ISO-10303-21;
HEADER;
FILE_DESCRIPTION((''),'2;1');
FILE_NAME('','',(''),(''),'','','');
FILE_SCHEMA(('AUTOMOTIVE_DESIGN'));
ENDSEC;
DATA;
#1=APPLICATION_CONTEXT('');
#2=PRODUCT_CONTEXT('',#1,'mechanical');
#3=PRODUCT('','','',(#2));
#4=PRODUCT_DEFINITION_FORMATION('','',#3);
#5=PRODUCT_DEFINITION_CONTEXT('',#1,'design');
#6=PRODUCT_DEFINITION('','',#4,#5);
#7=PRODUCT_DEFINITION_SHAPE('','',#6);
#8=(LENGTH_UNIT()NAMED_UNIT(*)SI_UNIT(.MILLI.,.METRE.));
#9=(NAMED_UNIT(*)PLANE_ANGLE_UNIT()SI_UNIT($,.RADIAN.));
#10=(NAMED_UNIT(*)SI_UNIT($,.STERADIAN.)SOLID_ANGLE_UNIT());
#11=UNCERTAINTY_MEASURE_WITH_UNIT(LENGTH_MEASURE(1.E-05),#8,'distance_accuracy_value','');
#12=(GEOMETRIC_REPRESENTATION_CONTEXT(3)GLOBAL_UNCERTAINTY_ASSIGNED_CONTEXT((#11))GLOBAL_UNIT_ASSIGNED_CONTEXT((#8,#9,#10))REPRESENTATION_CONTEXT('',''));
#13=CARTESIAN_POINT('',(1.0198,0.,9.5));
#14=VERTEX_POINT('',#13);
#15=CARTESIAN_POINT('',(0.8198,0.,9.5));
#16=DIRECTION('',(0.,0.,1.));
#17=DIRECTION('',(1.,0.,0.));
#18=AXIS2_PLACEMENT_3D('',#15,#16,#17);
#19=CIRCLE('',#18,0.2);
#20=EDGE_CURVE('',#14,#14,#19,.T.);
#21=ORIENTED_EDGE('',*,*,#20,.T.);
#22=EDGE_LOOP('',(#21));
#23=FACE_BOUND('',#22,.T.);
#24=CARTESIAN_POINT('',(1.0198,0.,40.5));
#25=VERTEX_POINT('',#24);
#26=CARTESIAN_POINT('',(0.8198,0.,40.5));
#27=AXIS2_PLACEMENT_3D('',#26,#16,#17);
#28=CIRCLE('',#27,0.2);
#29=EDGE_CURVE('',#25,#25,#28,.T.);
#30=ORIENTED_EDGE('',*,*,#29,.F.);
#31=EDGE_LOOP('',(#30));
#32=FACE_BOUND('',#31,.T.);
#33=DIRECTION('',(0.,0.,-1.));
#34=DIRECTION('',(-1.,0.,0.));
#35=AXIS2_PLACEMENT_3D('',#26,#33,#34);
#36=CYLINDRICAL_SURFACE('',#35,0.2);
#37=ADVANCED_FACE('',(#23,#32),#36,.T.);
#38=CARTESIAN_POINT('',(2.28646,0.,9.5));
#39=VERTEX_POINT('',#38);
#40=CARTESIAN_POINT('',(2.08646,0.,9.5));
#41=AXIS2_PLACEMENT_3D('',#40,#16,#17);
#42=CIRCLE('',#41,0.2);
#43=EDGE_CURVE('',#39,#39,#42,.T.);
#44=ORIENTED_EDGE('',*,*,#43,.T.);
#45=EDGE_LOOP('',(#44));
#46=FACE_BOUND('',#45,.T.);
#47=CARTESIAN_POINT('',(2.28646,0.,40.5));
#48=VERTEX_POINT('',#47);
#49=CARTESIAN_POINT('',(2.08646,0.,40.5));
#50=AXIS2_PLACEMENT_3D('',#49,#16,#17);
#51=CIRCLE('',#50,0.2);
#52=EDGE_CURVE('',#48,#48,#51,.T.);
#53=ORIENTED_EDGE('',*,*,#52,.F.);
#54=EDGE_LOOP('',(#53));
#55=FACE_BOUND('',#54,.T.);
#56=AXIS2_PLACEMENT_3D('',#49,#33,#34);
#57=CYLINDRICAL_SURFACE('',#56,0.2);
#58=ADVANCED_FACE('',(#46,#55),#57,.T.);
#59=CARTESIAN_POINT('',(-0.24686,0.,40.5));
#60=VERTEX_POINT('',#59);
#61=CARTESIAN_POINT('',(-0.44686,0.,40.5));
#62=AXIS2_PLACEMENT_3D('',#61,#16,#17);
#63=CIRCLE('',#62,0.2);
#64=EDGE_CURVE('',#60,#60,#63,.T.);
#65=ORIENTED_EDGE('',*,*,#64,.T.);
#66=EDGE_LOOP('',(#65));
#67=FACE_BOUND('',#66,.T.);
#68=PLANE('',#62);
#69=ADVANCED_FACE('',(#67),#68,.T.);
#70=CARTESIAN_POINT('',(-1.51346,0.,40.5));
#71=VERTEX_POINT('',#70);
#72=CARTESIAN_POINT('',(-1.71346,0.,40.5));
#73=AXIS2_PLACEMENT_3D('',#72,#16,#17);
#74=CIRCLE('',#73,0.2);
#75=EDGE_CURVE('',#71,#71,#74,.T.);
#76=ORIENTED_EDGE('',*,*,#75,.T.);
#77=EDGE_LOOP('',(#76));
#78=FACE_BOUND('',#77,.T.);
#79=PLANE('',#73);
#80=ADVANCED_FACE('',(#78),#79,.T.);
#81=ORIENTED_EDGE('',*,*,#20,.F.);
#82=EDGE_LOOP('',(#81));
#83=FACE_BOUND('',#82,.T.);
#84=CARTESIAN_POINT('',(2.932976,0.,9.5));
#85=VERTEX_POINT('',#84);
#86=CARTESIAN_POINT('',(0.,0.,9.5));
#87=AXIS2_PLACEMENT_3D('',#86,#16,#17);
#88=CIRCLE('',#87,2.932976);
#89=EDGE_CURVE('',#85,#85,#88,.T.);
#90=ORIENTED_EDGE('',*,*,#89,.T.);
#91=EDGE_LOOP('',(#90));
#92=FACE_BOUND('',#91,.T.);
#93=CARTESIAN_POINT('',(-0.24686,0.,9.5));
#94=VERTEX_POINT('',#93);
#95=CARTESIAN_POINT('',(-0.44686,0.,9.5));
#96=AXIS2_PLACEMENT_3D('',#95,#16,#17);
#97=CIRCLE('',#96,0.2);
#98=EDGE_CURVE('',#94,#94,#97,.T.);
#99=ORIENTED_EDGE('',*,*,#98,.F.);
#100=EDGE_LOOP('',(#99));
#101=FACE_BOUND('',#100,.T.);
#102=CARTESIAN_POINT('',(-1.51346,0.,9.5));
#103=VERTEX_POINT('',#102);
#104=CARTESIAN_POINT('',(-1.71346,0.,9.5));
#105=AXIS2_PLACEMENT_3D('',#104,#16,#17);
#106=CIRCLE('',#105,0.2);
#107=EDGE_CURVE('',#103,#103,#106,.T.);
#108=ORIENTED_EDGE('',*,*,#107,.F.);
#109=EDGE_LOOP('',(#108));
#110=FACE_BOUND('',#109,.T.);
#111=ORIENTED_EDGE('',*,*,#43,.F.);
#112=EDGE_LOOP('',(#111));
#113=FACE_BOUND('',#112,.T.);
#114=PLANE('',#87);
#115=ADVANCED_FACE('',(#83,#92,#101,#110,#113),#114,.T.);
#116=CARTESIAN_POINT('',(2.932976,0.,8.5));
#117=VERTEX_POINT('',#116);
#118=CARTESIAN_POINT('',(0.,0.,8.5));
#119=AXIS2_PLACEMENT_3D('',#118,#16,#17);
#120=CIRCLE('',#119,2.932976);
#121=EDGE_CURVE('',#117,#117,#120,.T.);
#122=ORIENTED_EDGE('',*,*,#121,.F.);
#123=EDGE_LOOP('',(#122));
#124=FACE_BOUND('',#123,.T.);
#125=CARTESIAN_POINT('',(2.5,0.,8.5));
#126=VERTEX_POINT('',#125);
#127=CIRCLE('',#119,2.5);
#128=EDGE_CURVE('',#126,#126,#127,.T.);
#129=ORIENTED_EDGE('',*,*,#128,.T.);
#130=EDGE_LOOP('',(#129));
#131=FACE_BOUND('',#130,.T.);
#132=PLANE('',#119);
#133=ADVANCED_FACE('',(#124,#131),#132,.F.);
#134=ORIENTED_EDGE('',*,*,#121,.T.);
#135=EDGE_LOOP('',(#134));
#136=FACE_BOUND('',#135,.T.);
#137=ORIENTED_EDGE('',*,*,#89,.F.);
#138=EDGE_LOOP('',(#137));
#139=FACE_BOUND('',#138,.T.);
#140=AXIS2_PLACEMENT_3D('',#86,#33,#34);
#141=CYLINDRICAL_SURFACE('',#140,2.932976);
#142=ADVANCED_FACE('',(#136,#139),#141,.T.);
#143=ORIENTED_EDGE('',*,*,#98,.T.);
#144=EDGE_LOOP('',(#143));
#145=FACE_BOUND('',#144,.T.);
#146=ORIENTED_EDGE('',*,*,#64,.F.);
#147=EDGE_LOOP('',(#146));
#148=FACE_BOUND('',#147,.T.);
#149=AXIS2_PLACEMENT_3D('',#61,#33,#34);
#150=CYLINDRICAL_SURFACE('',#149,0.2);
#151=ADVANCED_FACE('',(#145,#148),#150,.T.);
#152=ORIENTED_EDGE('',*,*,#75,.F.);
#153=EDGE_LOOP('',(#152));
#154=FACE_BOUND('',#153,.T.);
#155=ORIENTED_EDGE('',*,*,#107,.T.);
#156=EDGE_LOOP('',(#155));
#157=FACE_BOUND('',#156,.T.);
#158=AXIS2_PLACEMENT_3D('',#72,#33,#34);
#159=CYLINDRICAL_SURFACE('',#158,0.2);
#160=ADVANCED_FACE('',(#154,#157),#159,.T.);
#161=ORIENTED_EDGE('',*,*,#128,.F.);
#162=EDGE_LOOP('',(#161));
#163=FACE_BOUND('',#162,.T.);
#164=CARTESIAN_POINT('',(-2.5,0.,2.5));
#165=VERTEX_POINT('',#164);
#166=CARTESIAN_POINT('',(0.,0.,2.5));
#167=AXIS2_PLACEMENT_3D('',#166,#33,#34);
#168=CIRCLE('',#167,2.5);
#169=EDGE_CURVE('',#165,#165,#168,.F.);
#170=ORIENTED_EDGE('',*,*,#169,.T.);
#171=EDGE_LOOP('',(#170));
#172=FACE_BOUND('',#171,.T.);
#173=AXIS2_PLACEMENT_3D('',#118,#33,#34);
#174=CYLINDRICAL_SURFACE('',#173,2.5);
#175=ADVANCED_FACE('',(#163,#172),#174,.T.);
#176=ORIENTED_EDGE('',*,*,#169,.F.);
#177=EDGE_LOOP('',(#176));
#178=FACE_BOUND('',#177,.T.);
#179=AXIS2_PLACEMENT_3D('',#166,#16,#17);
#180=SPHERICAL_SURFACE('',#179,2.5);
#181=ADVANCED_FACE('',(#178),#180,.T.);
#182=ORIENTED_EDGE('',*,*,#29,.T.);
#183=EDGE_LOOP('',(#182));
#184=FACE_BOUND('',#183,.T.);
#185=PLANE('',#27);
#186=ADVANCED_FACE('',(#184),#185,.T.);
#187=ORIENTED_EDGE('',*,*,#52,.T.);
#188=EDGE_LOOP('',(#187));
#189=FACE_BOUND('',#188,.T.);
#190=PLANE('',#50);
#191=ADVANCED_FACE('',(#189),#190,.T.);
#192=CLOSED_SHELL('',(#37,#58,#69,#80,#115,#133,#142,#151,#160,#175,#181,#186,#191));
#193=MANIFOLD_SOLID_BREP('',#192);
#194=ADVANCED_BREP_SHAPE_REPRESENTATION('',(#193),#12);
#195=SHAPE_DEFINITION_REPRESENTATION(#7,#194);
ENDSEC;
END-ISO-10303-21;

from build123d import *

# Parameters (mm, degrees)
SKETCH1_R           = 2.5
BOSS_EXTRUDE1_DEPTH = 8.5
SKETCH3_R           = 2.932976034
BOSS_EXTRUDE3_DEPTH = 1
FILLET1_R           = 2.5
SKETCH4_R           = 0.2
BOSS_EXTRUDE4_DEPTH = 31


with BuildPart() as part:
    # Sketch1 → Boss-Extrude1 (new body)
    with BuildSketch(Plane.XY):
        Circle(SKETCH1_R)
    extrude(amount=BOSS_EXTRUDE1_DEPTH)

    # Sketch3 → Boss-Extrude3 (add)
    with BuildSketch(Plane.XY.offset(8.5)):
        Circle(SKETCH3_R)
    extrude(amount=BOSS_EXTRUDE3_DEPTH)

    # Fillet1
    fillet1_edges = [part.edges().sort_by_distance(p)[0] for p in [
        (-2.5, 0, 0),
    ]]
    fillet(fillet1_edges, radius=FILLET1_R)

    # Sketch4 → Boss-Extrude4 (add)
    with BuildSketch(Plane.XY.offset(9.5)):
        with Locations((-1.71346028, 0)):
            Circle(SKETCH4_R)
        with Locations((-0.44686028, 0)):
            Circle(SKETCH4_R)
        with Locations((0.81979972, 0)):
            Circle(SKETCH4_R)
        with Locations((2.08645972, 0)):
            Circle(SKETCH4_R)
    extrude(amount=BOSS_EXTRUDE4_DEPTH)


solid = part.part
